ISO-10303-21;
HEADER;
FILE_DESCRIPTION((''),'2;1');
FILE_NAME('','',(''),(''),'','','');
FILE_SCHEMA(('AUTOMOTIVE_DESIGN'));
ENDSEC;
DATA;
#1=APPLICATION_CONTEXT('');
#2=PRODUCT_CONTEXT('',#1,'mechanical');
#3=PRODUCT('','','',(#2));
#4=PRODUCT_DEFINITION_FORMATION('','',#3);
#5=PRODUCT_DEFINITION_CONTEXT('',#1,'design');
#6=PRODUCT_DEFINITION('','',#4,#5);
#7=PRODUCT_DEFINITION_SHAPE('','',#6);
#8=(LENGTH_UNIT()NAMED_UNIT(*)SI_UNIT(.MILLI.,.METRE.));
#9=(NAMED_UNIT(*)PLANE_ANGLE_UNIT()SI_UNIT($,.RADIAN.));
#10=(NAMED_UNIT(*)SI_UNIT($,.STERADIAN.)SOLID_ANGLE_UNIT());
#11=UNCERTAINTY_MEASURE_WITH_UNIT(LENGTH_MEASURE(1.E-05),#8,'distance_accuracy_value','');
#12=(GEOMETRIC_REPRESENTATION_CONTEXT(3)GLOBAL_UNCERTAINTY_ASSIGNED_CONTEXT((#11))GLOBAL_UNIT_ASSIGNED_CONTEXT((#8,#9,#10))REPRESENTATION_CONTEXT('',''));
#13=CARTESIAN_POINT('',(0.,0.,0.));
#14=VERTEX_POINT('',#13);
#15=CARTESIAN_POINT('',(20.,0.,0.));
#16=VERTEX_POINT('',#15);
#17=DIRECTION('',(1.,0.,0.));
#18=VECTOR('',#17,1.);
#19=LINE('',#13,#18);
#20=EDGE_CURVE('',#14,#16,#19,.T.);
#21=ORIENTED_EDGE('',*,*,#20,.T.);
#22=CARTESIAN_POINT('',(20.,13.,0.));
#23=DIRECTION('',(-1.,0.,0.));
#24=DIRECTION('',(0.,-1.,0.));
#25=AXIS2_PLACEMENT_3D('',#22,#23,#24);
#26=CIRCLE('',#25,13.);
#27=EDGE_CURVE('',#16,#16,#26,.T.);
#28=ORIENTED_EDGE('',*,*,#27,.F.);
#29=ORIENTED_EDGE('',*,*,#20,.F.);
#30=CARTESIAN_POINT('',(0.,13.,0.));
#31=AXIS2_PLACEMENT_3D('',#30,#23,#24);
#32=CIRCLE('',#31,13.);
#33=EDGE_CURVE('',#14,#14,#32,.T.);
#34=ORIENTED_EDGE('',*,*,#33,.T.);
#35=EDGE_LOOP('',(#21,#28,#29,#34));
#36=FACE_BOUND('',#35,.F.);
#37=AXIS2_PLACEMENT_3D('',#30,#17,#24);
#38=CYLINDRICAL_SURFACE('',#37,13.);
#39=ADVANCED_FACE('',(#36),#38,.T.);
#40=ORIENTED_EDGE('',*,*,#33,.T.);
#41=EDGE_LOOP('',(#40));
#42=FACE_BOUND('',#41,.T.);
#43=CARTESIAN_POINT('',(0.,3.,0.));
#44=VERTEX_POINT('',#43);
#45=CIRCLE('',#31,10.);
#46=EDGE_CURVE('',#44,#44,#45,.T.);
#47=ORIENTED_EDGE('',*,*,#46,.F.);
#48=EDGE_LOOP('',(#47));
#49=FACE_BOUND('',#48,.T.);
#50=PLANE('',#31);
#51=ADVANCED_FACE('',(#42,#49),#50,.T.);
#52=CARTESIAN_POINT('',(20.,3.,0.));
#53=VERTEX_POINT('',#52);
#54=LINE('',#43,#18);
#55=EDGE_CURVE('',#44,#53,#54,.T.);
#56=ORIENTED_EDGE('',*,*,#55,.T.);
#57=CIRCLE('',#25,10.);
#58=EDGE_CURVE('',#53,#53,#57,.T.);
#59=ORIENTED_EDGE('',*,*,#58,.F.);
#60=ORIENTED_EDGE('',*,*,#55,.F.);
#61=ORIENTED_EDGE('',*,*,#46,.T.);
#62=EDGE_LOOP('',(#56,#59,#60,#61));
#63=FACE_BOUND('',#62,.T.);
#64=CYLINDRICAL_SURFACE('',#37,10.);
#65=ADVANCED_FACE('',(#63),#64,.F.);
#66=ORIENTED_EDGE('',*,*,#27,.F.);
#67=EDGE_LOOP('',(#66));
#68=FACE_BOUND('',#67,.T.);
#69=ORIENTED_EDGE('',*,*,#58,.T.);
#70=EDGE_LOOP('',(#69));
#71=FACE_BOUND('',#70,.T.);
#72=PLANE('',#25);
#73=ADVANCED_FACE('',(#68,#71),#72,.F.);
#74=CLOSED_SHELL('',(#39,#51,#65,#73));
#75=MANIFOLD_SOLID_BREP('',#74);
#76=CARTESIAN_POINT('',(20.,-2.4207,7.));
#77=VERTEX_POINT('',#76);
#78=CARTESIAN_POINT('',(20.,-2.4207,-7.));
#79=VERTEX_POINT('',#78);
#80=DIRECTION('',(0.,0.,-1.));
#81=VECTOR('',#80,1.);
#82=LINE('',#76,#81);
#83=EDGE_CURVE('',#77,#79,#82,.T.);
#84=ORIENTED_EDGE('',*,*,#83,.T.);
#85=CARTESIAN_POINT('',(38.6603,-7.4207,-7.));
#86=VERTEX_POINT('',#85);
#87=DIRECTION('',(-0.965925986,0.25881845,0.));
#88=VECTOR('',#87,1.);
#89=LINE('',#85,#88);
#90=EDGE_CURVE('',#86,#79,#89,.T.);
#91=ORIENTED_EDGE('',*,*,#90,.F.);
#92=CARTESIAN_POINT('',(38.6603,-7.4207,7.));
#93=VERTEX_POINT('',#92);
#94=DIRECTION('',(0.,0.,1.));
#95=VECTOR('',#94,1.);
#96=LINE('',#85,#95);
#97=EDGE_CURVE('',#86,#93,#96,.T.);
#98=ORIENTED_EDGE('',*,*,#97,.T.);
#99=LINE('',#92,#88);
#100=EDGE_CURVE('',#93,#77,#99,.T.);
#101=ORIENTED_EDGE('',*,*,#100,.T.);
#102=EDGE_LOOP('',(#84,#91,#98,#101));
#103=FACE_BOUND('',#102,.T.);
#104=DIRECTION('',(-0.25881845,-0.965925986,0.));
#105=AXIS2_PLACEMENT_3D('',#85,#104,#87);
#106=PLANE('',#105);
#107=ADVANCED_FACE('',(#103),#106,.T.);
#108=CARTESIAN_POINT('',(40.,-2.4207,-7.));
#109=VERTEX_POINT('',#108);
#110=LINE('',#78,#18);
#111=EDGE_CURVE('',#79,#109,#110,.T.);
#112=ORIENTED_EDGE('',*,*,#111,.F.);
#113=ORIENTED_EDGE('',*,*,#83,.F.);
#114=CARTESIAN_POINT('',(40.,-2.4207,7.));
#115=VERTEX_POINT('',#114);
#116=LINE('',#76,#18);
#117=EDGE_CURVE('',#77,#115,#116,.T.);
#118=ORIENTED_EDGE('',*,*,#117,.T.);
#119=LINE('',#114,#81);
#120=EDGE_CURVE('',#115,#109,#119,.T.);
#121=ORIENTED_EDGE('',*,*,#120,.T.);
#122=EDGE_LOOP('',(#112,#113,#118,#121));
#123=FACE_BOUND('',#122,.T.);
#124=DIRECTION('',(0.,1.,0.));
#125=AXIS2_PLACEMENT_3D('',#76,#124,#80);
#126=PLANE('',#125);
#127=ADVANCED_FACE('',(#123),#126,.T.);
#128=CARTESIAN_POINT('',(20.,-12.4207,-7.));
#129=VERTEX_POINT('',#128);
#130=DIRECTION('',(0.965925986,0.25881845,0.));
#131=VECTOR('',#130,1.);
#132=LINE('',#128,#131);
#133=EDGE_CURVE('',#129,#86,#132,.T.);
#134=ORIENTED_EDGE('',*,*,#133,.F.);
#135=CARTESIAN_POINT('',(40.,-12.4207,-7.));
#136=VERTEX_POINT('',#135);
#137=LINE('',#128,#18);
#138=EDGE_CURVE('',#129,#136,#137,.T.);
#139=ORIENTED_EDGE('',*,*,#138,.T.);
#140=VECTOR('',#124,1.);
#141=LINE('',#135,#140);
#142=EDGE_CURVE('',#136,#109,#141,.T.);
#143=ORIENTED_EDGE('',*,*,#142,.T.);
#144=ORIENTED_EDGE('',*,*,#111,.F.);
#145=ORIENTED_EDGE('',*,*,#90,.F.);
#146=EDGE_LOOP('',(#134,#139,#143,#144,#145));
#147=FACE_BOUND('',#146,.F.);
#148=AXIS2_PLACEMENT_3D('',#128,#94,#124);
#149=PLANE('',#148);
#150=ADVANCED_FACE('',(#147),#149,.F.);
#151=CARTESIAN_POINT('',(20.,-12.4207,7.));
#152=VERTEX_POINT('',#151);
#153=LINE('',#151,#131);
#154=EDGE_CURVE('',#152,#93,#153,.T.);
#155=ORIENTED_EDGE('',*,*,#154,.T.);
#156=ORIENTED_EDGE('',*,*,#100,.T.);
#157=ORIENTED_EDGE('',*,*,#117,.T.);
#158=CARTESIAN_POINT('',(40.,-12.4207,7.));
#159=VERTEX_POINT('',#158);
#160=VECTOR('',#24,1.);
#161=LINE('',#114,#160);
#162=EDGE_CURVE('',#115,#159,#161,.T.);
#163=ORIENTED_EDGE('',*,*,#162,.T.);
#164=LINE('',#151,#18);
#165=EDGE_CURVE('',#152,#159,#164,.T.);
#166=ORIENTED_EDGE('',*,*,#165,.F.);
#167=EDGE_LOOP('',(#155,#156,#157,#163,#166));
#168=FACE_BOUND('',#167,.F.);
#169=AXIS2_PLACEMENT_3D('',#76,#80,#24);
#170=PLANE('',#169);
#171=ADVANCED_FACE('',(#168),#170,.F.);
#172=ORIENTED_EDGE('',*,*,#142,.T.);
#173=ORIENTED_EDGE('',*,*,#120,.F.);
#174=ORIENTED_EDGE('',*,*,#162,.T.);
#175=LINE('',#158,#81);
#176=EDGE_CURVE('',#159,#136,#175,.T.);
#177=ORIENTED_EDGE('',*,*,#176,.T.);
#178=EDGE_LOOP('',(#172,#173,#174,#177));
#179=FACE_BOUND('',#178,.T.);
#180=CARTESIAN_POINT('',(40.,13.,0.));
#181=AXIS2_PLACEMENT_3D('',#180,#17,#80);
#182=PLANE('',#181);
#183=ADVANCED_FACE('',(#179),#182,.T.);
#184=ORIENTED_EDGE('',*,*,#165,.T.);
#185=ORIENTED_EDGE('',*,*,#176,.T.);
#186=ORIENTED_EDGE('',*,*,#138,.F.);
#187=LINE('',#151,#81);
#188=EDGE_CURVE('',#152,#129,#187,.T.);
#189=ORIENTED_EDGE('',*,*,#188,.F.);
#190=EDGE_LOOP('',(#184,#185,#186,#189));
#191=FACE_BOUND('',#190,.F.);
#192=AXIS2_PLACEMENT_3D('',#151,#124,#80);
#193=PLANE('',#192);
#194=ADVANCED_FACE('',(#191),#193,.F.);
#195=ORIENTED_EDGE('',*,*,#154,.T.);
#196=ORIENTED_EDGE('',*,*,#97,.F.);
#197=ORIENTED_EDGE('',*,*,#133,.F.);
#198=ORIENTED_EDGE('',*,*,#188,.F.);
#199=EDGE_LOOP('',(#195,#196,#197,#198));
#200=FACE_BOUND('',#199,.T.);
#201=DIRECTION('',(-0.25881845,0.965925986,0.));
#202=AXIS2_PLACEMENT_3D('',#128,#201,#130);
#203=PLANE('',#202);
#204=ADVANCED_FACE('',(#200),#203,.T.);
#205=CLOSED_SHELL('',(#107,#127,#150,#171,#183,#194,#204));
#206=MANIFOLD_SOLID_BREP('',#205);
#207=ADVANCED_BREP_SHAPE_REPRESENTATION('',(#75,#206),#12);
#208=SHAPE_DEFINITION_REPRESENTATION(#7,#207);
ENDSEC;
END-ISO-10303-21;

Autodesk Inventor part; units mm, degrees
ref_plane "YZ Plane" through (0, 0, 0) normal (1, 0, 0) x (0, 1, 0)
ref_plane "XZ Plane" through (0, 0, 0) normal (0, 1, 0) x (-1, 0, 0)
ref_plane "XY Plane" through (0, 0, 0) normal (0, 0, 1) x (1, 0, 0)
sketch "Sketch1" plane through (0, 0, 0) normal (0, 0, 1) x (1, 0, 0)
  line L0 (0, 0) -> (20, 0)
  line L1 (0, 0) -> (0, 3)
  line L2 (0, 3) -> (20, 3)
  line L3 (20, 3) -> (20, 0)
  line L4 (20, 13) -> (0, 13)
  dimension "d1" = 3
  dimension "d2" = 20
  dimension "d3" = 10
  dimension "d4" = 20
  dimension "d5" = 20
revolve "Revolution1" add sketch "Sketch1" angle 360 about axis through (20, 13, 0) along (-1, 0, 0)
sketch "Sketch3" plane through (0, 13, 0) normal (-1, 0, 0) x (0, 0, 1)
  point P0 (0, -13)
sketch "Sketch4" plane through (20, 13, 0) normal (1, 0, 0) x (0, 0, -1)
  circle A0 centre (0, 0) radius 10 projected
  circle A1 centre (0, 0) radius 13 projected
sketch "Sketch5" plane through (20, 13, 0) normal (1, 0, 0) x (0, 0, -1)
  point P0 (0, -13)
sketch "Sketch6" plane through (20, 13, 0) normal (1, 0, 0) x (0, 0, -1)
  circle A0 centre (0, 0) radius 13 projected
  circle A1 centre (0, 0) radius 10 projected
  line L0 (-7, -15.4207) -> (-7, -25.4207)
  line L1 (-7, -25.4207) -> (7, -25.4207)
  line L2 (7, -25.4207) -> (7, -15.4207)
  line L3 (-7, -15.4207) -> (7, -15.4207)
  point P0 (0, -13)
  dimension "d20" = 10
  dimension "d21" = 14
extrude "Extrusion1" add sketch "Sketch6" along normal blind 20 contours L3 L2 L1 L0
sketch "Sketch7" plane through (20, -12.4207, -7) normal (0, 0, -1) x (-1, 0, 0)
  line L0 (0, 10) -> (0, 0) projected
  line L1 (0, 0) -> (-18.6603, 5)
  line L2 (0, 10) -> (-20, 10) projected
  line L3 (-18.6603, 5) -> (0, 10)
  line L4 (0, 0) -> (-20, 0) projected
  point P0 (20, 12.4207)
  dimension "d24" = 15
  dimension "d25" = 15
extrude "Extrusion2" cut sketch "Sketch7" against normal blind 14
sketch "Sketch8" plane through (40, 13, 0) normal (1, 0, 0) x (0, 0, -1)
  point P0 (0, -13)
sketch "Sketch9" plane through (20, 13, 0) normal (1, 0, 0) x (0, 0, -1)
  point P0 (0, -13)
equation "\"d25\" = d24"
properties part number "Whistle Cutout"
